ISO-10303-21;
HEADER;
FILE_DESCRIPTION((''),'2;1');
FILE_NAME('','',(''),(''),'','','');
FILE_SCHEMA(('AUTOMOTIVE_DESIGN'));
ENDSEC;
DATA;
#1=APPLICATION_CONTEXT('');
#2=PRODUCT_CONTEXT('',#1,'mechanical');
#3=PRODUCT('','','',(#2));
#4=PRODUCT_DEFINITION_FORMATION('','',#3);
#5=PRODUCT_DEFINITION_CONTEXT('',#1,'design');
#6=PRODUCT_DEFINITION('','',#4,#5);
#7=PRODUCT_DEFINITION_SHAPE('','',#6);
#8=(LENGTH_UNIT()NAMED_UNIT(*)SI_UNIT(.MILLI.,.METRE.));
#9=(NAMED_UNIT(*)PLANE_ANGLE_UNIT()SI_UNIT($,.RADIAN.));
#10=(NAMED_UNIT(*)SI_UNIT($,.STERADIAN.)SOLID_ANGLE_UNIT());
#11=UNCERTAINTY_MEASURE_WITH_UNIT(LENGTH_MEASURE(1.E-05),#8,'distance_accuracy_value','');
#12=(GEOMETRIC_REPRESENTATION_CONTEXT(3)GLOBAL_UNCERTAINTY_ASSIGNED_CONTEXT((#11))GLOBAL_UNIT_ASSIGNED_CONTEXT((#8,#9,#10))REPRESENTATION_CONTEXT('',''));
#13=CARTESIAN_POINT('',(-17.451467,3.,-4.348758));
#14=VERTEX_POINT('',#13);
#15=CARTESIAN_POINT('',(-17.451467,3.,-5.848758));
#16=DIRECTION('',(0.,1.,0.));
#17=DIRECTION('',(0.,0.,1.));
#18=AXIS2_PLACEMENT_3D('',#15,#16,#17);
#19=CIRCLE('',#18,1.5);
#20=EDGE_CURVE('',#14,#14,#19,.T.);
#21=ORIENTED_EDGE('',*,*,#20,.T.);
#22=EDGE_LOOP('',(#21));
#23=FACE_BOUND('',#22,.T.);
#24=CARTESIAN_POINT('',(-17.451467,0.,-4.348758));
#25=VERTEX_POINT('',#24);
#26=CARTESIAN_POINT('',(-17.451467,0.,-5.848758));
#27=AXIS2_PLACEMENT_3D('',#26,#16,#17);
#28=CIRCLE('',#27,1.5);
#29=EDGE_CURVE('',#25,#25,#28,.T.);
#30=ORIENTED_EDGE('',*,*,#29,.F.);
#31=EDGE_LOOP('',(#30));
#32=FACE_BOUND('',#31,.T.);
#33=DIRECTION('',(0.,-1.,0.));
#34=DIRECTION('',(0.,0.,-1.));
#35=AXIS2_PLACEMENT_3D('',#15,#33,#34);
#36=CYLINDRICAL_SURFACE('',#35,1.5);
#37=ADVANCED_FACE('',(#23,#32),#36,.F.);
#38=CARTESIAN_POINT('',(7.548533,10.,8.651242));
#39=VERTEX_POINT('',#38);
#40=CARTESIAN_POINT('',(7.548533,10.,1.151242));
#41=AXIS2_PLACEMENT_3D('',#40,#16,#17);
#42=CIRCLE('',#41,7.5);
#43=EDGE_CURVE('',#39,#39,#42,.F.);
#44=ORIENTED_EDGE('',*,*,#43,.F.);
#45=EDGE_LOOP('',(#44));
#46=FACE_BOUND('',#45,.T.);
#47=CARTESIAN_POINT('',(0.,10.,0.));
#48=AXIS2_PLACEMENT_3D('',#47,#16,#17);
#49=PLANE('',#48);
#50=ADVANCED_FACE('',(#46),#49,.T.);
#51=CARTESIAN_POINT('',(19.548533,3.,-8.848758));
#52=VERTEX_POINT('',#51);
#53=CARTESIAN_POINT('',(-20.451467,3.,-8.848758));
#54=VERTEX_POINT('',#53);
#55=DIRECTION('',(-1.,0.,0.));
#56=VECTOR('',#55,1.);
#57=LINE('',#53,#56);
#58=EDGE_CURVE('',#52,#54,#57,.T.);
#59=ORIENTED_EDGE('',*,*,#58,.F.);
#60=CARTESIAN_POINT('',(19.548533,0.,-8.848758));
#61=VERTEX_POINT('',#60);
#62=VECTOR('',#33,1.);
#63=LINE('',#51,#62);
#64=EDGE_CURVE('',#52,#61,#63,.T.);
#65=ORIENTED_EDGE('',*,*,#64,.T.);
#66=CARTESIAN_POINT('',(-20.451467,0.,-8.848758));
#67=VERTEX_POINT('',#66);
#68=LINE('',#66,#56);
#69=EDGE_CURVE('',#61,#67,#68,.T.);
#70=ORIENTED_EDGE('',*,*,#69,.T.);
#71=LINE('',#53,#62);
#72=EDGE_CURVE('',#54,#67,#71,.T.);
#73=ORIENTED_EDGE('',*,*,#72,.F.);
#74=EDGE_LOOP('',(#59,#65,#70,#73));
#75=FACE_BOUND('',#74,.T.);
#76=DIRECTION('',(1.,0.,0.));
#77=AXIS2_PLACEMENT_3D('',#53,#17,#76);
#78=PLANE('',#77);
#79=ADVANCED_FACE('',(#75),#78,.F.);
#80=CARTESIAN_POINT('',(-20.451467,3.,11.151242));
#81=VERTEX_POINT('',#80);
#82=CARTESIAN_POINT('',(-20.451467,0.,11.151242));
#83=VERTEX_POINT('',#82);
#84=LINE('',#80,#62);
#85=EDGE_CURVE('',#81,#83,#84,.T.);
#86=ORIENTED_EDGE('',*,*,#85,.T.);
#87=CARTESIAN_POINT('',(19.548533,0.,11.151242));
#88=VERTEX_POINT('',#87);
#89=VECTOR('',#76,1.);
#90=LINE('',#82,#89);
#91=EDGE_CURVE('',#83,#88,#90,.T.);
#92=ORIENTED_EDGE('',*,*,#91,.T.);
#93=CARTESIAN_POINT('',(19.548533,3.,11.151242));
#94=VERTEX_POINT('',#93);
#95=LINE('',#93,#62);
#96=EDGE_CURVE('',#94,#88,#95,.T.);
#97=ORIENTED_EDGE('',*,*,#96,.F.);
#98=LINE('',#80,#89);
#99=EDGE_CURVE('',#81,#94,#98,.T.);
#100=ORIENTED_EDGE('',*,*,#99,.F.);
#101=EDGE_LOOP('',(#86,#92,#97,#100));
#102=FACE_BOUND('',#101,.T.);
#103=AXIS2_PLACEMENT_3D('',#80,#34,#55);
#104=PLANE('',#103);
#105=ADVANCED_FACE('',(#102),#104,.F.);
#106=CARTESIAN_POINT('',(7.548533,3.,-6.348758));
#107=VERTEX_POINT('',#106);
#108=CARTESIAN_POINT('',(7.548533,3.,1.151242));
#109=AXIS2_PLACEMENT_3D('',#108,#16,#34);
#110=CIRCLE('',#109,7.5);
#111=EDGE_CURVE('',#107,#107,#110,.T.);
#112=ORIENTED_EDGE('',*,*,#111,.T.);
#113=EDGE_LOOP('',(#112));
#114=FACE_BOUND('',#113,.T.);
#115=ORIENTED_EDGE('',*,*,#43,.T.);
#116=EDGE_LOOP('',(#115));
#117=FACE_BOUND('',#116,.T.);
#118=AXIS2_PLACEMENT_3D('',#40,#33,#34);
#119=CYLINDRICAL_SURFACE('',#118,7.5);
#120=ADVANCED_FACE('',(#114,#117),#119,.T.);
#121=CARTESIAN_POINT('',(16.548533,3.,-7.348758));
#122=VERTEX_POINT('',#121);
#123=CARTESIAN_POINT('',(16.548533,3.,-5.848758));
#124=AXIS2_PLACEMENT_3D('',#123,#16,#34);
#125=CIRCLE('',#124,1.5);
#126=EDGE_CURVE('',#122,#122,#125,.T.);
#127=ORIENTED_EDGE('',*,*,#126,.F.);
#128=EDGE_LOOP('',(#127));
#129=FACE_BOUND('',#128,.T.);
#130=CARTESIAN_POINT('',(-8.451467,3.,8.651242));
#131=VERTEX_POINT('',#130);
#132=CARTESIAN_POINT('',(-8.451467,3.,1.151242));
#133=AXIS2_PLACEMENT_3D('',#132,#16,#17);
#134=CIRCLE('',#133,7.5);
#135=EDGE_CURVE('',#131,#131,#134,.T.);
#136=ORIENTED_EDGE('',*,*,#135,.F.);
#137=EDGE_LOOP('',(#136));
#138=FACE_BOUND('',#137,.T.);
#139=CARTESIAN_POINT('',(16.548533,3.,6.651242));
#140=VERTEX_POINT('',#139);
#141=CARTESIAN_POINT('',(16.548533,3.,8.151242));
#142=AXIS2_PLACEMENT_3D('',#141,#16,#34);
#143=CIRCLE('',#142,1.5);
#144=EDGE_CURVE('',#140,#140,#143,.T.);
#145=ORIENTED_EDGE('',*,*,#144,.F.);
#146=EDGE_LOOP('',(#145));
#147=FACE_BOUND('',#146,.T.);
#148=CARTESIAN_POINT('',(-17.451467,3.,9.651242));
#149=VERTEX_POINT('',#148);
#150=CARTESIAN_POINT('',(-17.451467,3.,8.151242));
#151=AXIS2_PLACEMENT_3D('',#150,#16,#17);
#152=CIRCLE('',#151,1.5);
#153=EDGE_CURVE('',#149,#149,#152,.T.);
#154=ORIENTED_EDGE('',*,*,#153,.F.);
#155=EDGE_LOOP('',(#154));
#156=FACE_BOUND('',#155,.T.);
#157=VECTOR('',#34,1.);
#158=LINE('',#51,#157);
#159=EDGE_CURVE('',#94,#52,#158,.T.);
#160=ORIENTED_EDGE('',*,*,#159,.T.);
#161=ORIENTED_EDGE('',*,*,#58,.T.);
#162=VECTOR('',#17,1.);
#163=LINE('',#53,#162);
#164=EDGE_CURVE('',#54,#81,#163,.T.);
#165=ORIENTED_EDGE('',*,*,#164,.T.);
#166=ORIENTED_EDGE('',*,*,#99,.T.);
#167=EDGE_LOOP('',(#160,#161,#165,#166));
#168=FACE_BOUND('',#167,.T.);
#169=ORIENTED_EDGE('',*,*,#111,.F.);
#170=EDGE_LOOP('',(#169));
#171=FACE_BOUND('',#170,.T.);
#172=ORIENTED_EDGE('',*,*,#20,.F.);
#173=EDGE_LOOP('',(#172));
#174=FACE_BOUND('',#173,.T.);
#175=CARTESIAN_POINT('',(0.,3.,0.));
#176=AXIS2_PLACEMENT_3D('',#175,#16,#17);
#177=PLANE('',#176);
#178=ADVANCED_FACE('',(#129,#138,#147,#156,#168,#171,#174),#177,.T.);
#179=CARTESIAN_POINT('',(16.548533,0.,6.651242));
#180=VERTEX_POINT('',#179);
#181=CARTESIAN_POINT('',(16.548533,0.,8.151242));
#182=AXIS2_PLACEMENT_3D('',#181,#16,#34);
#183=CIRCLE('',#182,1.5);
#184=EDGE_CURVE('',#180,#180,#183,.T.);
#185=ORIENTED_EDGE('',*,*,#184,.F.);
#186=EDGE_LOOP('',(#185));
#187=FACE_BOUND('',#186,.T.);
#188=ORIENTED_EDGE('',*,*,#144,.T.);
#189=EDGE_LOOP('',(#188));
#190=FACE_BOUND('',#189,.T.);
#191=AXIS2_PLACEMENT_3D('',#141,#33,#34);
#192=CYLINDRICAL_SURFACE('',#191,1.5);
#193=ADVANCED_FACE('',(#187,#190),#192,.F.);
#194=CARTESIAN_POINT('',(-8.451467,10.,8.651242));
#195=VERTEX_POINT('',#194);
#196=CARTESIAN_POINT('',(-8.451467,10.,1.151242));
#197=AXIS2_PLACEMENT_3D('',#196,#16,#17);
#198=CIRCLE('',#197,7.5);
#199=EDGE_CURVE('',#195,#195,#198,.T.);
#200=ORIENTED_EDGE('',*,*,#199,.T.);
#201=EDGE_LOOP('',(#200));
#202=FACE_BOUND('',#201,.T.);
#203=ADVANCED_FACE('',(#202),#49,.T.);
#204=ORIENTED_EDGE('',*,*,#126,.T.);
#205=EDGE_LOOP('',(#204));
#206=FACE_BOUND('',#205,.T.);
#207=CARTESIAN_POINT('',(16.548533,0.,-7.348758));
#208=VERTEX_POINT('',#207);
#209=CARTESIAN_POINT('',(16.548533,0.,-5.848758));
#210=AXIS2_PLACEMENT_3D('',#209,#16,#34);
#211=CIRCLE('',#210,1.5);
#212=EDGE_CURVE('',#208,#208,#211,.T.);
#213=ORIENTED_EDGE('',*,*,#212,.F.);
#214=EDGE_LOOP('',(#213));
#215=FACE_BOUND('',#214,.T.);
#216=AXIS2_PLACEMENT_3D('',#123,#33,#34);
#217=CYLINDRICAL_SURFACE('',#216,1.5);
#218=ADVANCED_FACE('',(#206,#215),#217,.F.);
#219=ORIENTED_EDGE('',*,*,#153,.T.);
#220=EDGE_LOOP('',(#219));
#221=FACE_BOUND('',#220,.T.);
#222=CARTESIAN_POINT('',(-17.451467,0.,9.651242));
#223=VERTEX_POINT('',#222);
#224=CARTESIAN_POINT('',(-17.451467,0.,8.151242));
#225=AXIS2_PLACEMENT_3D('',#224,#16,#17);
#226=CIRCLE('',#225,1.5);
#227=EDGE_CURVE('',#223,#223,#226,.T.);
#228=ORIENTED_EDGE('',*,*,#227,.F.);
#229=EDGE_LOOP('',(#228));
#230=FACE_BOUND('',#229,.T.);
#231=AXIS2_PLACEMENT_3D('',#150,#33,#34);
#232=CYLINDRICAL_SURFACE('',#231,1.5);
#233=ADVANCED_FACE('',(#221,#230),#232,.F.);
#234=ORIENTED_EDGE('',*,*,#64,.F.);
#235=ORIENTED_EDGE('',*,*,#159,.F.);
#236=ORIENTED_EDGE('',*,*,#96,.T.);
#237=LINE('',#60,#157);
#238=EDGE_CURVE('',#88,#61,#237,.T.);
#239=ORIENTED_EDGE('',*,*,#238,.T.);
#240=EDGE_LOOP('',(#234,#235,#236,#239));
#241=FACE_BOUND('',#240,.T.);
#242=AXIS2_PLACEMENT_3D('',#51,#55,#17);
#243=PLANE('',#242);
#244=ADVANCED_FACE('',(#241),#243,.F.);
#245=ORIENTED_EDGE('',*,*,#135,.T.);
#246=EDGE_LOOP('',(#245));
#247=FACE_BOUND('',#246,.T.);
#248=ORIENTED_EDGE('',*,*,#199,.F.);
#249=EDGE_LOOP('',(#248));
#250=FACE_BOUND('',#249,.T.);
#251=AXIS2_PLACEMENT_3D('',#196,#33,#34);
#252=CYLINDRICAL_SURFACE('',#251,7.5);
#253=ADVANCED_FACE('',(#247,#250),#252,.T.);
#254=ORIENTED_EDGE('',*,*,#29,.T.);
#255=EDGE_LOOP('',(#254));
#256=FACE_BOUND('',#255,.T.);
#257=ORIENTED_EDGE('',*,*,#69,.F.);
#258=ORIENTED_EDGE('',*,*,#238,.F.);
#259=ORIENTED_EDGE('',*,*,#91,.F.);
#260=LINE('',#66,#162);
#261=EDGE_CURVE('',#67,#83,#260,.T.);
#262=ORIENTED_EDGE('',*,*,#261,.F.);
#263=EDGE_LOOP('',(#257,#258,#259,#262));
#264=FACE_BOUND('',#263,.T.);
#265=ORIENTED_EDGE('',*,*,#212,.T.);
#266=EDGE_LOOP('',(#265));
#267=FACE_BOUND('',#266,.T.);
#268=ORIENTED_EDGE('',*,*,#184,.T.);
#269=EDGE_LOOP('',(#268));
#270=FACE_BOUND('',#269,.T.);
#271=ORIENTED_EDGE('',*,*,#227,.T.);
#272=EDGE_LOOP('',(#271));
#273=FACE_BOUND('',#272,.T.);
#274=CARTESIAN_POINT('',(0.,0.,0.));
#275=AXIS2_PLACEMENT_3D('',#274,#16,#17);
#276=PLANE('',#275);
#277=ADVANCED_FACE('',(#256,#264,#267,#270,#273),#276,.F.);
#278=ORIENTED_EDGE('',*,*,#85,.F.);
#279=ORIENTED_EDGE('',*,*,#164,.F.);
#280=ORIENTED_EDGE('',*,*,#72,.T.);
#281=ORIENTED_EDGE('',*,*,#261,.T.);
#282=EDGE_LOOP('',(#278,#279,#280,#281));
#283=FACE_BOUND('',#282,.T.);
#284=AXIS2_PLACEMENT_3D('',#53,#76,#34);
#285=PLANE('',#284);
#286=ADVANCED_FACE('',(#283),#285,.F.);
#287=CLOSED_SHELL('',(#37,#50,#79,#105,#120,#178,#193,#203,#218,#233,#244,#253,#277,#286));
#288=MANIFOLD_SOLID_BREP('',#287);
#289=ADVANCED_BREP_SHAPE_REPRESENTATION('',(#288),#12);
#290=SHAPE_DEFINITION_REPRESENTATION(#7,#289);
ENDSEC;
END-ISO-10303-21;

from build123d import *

# Parameters (mm, degrees)
SKETCH1_W           = 40
SKETCH1_H           = 20
SKETCH1_R           = 1.5
SKETCH1_R_2         = 7.5
BOSS_EXTRUDE1_DEPTH = 3
SKETCH1_2_R         = 7.5
BOSS_EXTRUDE2_DEPTH = 10


with BuildPart() as part:
    # Sketch1 → Boss-Extrude1 (new body)
    with BuildSketch(Plane(origin=(0, 0, 0), x_dir=(1, 0, 0), z_dir=(0, 1, 0))):
        with Locations((-0.451467269, -1.151241535)):
            Rectangle(SKETCH1_W, SKETCH1_H)
        with Locations((-17.451467269, 5.848758465)):
            Circle(SKETCH1_R, mode=Mode.SUBTRACT)
        with Locations((-17.451467269, -8.151241535)):
            Circle(SKETCH1_R, mode=Mode.SUBTRACT)
        with Locations((-8.451467269, -1.151241535)):
            Circle(SKETCH1_R_2, mode=Mode.SUBTRACT)
        with Locations((16.548532731, -8.151241535)):
            Circle(SKETCH1_R, mode=Mode.SUBTRACT)
        with Locations((16.548532731, 5.848758465)):
            Circle(SKETCH1_R, mode=Mode.SUBTRACT)
        with Locations((7.548532731, -1.151241535)):
            Circle(SKETCH1_R_2, mode=Mode.SUBTRACT)
    extrude(amount=BOSS_EXTRUDE1_DEPTH)

    # Sketch1<2> → Boss-Extrude2 (add)
    with BuildSketch(Plane(origin=(0, 0, 0), x_dir=(1, 0, 0), z_dir=(0, 1, 0))):
        with Locations((-8.451467269, -1.151241535)):
            Circle(SKETCH1_2_R)
        with Locations((7.548532731, -1.151241535)):
            Circle(SKETCH1_2_R)
    extrude(amount=BOSS_EXTRUDE2_DEPTH)


solid = part.part
